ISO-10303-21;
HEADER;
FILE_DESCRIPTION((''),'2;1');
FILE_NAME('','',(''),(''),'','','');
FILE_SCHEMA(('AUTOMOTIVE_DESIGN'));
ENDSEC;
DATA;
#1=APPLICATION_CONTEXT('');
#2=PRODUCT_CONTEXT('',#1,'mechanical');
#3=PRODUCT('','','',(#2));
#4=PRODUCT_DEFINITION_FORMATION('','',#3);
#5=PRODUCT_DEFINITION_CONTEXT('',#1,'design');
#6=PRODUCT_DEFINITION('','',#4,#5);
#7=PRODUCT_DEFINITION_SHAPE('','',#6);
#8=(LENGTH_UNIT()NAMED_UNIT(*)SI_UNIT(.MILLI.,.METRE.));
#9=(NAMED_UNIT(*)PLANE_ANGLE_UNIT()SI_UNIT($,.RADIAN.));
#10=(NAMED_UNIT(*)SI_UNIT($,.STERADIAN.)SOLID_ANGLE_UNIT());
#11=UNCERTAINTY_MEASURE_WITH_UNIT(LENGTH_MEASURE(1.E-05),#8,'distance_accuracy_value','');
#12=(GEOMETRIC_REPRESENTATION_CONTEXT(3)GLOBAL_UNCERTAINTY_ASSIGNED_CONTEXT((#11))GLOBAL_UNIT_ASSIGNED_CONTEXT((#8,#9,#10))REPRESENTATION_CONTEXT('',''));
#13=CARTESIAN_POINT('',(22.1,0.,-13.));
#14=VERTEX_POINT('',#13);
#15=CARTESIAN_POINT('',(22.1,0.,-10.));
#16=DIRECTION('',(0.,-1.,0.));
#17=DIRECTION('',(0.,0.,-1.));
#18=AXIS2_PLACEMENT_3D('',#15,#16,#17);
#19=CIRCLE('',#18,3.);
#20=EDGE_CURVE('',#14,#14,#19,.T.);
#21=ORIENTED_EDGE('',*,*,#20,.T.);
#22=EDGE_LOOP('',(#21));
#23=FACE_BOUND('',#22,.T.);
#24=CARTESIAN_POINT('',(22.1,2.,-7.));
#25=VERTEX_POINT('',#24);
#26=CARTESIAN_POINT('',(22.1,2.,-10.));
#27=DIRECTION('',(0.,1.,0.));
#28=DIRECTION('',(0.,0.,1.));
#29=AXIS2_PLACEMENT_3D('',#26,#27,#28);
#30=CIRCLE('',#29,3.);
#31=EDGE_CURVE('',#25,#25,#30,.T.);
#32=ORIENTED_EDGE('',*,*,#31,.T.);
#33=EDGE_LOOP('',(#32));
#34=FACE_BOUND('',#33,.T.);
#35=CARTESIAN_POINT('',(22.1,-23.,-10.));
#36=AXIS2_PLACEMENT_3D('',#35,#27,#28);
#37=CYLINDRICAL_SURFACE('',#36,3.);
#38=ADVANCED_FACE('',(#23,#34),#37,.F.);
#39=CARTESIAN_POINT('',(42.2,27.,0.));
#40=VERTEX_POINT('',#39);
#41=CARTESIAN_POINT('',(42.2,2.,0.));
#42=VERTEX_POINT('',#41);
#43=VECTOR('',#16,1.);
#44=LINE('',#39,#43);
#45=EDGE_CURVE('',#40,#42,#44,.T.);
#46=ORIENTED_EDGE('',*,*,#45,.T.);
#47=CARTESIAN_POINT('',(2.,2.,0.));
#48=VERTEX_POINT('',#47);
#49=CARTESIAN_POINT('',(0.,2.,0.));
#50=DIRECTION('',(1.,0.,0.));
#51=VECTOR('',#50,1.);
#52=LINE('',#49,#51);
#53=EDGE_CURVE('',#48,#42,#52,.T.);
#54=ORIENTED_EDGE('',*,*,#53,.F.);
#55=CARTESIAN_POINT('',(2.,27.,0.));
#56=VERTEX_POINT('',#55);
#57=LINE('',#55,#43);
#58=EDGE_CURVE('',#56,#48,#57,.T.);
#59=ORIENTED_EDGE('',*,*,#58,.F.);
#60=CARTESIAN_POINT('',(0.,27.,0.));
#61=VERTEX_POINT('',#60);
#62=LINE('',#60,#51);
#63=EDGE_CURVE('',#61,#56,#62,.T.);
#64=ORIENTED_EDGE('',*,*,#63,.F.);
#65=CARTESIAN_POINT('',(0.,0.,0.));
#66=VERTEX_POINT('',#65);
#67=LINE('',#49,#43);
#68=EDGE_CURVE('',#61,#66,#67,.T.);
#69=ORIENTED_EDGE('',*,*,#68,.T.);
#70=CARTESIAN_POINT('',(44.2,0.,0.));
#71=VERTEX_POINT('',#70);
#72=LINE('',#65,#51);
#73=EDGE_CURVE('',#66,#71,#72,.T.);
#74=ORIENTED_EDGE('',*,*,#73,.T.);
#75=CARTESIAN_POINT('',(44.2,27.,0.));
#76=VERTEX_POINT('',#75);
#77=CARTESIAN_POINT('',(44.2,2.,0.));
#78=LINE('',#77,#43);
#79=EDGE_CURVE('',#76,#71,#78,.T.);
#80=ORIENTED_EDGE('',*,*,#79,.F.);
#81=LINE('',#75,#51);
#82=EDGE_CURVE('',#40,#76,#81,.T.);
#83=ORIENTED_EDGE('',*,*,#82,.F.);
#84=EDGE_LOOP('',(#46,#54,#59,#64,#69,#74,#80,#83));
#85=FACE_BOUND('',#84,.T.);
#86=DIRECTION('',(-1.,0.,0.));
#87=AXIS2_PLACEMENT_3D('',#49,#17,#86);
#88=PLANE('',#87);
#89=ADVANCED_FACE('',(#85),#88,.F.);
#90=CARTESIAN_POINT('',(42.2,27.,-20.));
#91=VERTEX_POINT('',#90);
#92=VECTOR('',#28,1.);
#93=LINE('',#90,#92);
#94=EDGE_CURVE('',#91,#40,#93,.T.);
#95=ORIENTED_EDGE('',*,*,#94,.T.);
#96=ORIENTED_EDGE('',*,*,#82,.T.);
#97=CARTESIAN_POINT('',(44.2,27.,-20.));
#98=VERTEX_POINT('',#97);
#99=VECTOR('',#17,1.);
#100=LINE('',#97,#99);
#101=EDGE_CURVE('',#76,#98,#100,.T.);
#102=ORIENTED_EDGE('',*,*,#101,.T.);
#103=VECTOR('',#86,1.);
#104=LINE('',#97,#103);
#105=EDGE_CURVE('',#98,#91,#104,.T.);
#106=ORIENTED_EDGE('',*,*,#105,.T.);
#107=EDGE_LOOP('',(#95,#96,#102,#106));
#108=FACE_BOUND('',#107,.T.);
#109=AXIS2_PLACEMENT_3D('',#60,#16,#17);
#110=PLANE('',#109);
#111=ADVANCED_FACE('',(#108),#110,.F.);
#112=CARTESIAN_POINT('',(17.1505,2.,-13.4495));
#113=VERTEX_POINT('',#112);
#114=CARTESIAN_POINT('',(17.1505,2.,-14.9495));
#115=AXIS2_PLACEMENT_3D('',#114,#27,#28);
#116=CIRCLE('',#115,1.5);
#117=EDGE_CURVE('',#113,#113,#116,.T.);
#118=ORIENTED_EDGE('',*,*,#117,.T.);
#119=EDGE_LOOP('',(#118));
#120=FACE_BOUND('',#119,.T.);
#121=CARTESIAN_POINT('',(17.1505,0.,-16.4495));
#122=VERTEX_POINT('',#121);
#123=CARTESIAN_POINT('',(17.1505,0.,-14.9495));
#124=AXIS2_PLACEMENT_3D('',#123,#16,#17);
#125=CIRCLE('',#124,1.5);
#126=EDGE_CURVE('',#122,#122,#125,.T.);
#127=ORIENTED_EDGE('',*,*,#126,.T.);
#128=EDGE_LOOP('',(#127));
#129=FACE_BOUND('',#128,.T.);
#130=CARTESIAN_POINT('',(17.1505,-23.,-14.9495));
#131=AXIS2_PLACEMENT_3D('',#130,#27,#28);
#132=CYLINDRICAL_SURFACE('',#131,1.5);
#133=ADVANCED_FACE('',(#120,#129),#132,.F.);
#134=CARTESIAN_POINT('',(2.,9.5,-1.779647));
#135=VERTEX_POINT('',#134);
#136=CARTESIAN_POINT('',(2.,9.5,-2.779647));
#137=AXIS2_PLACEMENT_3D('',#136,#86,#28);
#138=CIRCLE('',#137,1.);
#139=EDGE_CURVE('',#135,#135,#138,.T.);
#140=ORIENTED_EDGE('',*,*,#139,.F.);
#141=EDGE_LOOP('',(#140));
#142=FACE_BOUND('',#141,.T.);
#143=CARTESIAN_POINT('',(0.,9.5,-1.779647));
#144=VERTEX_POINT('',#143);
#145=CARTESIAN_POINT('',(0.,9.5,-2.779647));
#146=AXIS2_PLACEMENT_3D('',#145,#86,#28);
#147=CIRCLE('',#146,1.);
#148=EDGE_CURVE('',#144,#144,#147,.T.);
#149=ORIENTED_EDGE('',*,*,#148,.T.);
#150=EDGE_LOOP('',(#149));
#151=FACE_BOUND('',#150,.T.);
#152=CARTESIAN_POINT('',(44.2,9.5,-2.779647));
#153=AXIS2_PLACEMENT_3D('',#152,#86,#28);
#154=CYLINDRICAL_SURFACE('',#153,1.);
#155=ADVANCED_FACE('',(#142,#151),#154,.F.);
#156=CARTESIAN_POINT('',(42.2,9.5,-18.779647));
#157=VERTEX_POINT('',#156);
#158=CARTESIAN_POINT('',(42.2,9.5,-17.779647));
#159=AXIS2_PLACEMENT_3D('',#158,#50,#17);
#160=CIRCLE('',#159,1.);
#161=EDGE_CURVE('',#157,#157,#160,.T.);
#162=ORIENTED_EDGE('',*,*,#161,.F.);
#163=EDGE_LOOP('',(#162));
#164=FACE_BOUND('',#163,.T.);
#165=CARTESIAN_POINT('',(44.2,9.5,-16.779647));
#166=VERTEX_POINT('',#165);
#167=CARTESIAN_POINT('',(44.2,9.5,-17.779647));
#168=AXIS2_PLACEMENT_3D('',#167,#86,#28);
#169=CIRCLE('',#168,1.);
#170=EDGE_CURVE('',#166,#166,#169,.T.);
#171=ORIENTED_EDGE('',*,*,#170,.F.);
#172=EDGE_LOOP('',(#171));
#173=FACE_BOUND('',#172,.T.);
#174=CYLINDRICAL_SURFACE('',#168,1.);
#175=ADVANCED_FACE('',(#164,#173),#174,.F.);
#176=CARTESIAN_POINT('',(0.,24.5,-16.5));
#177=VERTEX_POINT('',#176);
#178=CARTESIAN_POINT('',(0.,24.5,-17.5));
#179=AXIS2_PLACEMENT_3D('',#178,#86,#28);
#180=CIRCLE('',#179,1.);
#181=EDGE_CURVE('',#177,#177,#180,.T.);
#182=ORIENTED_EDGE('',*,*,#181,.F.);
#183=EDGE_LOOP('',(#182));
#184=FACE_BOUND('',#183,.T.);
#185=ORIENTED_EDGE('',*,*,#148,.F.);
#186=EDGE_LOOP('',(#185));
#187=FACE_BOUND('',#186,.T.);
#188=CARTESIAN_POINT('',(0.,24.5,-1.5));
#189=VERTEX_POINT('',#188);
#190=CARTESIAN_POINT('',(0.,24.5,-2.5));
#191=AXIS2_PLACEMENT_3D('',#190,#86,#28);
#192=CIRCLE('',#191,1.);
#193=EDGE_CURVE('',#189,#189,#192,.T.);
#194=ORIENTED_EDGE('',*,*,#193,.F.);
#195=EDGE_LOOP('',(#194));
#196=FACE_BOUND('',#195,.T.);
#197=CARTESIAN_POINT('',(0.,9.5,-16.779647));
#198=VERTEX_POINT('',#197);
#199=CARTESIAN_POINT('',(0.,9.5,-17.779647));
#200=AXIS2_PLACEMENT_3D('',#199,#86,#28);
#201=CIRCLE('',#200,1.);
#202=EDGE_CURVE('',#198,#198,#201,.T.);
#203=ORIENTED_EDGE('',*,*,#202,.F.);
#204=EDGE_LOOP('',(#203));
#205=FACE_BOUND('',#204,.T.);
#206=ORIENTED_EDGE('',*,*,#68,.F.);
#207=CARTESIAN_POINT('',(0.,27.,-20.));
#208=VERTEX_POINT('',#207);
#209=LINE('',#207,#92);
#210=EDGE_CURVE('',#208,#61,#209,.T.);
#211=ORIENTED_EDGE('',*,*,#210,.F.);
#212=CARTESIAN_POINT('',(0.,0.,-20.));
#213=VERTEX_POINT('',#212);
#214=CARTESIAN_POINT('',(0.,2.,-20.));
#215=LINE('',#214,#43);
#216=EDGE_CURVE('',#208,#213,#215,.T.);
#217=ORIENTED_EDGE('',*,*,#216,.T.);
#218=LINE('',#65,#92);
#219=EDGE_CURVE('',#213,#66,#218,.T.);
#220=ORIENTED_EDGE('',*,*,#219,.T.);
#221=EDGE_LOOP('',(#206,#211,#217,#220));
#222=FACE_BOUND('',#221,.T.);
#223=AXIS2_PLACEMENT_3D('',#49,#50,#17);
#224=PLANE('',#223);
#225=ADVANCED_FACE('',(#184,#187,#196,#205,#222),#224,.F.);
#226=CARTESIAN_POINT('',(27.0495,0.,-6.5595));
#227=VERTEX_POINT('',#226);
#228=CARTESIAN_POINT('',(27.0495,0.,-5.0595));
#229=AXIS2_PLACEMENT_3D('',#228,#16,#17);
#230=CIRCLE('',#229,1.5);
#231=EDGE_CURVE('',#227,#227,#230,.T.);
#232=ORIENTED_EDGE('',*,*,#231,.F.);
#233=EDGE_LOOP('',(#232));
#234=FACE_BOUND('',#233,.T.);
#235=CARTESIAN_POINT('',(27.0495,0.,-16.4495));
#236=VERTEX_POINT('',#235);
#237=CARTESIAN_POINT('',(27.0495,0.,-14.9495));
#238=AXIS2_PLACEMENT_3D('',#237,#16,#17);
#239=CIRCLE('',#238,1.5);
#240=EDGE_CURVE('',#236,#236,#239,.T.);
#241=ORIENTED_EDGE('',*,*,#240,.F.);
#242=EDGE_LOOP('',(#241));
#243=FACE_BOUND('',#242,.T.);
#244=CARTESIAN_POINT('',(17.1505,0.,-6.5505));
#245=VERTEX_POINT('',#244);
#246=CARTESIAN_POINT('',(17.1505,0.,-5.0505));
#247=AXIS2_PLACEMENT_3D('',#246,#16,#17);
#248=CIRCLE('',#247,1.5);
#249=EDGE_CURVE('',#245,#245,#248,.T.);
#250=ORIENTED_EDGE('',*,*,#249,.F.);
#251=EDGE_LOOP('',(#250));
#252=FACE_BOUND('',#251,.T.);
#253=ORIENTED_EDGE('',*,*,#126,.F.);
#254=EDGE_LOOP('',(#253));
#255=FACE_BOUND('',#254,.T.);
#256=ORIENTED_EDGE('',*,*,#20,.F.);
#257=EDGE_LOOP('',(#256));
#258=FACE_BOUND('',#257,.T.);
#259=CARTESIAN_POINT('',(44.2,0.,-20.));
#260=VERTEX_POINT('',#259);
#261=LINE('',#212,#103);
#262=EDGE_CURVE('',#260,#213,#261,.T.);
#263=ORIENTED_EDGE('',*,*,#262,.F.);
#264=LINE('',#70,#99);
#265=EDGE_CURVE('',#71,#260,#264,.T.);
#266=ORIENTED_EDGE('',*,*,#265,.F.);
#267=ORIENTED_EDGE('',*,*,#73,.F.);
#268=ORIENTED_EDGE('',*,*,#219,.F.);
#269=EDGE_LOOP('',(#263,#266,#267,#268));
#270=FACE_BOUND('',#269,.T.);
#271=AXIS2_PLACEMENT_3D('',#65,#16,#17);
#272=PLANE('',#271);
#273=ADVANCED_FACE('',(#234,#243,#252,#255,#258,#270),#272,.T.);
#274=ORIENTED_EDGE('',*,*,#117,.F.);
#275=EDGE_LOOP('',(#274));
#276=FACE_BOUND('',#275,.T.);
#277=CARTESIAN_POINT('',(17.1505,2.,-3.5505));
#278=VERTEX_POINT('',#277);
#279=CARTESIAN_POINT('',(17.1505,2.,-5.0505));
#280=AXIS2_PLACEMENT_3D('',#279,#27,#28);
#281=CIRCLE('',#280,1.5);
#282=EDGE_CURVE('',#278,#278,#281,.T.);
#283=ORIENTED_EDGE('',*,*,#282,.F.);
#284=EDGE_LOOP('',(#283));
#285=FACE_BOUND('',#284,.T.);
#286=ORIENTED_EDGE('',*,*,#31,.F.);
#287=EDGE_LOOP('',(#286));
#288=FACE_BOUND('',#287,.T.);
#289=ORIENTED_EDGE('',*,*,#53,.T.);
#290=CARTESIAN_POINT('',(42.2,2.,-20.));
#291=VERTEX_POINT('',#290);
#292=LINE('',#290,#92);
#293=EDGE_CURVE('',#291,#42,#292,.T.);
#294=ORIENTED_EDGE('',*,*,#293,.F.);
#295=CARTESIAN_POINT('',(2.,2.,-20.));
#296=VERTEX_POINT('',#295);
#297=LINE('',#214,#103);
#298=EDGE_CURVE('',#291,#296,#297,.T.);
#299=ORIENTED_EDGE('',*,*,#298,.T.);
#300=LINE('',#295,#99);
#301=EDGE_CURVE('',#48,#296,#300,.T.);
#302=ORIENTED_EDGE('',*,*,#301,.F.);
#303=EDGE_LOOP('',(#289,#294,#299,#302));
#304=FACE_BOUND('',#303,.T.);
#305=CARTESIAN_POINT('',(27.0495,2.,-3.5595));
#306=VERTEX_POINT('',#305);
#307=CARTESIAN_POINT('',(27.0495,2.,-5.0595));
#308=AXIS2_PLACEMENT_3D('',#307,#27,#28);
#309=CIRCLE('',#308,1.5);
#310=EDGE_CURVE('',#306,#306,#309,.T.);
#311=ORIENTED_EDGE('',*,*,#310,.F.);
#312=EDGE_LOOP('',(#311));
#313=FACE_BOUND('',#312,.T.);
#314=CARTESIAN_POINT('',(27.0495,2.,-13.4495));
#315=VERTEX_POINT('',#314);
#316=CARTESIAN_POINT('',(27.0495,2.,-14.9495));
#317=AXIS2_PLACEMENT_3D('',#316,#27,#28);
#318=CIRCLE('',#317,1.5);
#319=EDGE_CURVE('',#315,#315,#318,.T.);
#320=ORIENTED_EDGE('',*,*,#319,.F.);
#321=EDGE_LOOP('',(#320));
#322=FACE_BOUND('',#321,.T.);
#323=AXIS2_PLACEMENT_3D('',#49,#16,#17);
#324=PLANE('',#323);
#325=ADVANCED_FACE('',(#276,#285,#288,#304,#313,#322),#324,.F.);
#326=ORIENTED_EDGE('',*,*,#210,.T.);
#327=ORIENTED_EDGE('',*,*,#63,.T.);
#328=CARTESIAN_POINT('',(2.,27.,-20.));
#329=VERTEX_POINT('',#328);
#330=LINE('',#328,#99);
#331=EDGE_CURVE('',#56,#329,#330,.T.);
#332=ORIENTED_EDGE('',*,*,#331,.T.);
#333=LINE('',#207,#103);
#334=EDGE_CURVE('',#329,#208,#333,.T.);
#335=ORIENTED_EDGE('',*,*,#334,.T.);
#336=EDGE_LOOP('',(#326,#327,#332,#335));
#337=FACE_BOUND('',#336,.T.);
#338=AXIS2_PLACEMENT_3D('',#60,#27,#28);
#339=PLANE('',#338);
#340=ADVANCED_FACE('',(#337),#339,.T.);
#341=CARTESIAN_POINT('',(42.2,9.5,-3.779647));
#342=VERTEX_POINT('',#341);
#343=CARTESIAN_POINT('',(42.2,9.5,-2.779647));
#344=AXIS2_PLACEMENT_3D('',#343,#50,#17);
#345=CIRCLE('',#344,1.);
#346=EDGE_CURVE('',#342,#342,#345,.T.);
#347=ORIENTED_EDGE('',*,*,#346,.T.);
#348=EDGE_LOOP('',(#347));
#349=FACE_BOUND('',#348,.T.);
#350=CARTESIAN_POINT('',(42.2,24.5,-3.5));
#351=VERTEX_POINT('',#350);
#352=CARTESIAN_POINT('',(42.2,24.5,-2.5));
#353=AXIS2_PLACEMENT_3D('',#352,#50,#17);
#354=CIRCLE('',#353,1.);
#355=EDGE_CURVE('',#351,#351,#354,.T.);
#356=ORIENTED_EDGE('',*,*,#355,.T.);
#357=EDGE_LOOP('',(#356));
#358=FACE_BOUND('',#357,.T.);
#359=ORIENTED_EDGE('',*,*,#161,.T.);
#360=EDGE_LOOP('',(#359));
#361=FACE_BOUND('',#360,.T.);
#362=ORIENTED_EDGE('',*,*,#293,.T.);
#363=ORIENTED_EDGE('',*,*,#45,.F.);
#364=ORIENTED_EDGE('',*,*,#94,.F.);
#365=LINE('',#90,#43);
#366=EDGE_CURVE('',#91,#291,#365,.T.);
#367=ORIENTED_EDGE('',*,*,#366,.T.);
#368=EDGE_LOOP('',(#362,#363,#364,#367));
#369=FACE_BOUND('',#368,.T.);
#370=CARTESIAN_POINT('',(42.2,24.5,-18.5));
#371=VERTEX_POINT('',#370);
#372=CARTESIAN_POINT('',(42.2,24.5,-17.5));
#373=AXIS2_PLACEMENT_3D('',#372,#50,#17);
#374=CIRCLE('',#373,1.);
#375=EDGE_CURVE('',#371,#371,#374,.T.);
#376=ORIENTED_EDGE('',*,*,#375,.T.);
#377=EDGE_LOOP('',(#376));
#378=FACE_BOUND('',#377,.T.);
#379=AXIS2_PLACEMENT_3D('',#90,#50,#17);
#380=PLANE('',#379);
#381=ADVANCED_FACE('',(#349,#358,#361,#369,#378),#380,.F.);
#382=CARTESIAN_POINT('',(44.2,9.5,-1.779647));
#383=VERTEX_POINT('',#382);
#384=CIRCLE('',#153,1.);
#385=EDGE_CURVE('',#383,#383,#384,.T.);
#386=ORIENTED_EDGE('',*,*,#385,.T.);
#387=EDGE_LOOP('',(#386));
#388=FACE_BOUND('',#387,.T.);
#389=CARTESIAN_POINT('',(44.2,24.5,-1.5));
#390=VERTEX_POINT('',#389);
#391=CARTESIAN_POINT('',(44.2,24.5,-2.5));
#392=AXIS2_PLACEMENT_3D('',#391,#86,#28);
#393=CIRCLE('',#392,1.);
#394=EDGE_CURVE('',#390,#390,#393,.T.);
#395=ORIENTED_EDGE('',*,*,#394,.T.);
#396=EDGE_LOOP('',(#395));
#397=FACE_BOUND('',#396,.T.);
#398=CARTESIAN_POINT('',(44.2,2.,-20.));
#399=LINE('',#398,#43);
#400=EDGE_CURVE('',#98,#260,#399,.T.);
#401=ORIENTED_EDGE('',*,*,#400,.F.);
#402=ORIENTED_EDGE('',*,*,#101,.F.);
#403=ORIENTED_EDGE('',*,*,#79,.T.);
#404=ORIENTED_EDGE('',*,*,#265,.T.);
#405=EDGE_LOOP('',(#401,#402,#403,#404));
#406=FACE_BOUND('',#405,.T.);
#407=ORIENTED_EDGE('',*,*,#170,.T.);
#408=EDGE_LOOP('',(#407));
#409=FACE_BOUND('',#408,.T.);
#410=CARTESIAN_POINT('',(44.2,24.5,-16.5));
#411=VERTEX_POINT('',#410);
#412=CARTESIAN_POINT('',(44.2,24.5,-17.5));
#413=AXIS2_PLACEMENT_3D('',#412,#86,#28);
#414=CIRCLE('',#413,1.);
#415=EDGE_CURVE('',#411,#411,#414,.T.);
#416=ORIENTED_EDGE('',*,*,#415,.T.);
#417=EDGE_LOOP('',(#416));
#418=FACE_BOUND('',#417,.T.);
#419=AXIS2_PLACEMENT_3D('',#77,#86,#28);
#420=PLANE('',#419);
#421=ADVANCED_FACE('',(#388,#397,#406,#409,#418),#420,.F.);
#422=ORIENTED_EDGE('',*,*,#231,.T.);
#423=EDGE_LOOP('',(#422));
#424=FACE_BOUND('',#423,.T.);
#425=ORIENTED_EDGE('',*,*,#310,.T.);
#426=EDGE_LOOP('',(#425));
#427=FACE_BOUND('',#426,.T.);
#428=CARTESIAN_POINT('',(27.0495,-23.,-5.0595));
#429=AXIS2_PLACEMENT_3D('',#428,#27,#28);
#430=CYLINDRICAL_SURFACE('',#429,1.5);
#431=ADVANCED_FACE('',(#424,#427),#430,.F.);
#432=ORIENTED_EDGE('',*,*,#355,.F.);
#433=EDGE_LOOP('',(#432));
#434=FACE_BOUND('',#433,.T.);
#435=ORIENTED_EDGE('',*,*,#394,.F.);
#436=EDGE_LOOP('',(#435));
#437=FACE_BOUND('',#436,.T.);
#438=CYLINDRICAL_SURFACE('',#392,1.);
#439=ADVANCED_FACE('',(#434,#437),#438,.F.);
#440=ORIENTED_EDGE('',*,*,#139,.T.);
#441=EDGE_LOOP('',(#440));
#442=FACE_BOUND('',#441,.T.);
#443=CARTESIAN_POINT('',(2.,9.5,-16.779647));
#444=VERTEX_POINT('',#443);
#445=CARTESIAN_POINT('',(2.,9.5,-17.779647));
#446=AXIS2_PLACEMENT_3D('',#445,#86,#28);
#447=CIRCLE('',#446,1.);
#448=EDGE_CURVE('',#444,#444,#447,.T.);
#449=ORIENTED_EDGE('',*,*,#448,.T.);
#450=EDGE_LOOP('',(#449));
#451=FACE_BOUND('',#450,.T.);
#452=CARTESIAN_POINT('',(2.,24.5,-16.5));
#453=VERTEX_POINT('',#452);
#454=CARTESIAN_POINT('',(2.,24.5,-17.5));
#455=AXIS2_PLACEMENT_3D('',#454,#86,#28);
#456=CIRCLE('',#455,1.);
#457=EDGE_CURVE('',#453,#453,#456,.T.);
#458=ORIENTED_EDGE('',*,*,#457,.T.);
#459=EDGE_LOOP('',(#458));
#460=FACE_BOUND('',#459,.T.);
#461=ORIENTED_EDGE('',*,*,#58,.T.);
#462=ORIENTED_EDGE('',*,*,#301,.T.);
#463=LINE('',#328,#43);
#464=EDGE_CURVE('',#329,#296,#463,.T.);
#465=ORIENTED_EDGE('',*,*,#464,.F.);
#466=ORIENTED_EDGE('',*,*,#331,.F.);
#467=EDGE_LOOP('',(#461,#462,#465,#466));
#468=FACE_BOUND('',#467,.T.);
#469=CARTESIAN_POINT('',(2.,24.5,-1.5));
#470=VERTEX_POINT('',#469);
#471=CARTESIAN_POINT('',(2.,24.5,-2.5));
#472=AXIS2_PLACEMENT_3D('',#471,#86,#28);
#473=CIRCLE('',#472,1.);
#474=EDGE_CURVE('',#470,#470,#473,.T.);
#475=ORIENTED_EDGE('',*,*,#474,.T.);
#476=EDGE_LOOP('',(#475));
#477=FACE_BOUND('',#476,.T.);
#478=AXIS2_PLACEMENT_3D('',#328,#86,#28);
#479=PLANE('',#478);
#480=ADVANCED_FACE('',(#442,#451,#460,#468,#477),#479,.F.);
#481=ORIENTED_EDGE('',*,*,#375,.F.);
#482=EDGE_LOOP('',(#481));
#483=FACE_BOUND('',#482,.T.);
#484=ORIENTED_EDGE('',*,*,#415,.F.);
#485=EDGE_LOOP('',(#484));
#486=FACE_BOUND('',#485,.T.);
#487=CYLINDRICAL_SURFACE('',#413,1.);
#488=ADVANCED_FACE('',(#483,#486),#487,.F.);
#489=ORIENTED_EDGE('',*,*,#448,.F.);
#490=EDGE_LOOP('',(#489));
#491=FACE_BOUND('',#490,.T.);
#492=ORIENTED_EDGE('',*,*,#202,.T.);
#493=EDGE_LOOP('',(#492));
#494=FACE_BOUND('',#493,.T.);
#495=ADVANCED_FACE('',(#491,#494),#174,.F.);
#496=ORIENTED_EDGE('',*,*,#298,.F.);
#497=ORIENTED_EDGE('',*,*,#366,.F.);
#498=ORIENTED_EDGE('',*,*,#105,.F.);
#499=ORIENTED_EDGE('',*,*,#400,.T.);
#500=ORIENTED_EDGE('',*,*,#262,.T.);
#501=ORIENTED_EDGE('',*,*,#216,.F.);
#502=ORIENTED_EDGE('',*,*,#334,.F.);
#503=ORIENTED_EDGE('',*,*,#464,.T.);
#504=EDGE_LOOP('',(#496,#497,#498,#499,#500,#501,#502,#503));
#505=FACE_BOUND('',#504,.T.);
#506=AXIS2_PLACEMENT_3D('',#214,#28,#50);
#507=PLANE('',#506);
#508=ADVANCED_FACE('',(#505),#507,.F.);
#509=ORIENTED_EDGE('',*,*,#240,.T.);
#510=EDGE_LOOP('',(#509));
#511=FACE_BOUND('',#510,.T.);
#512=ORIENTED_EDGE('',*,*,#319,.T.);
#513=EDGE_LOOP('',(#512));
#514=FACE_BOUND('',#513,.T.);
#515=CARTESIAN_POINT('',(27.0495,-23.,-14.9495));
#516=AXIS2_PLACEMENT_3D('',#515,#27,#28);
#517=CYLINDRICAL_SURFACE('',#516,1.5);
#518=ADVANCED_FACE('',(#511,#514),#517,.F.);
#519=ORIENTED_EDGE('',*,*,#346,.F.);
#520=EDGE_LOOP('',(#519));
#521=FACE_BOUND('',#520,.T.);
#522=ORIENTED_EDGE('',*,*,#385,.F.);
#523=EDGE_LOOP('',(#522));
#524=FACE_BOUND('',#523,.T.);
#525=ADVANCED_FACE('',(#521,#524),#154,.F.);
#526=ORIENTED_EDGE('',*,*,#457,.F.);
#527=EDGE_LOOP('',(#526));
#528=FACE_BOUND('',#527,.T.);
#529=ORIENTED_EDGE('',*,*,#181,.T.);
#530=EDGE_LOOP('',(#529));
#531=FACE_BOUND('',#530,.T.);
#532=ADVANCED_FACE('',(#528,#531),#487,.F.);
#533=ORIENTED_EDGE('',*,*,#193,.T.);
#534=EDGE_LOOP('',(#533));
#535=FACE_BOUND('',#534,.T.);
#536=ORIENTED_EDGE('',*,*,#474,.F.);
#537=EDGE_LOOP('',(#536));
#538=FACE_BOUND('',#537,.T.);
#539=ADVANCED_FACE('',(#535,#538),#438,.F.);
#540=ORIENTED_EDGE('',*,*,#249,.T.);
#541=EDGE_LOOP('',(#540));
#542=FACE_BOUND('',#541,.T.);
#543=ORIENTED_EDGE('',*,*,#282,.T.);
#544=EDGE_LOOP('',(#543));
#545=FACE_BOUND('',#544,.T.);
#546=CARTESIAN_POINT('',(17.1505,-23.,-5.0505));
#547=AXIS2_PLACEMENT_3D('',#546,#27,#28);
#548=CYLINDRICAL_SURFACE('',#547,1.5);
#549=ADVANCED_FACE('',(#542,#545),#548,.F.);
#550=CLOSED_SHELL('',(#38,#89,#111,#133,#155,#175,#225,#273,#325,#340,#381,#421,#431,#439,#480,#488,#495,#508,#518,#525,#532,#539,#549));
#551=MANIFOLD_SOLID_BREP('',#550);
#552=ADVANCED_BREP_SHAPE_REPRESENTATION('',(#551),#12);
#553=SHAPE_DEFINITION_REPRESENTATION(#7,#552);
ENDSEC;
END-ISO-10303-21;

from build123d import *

# Parameters (mm, degrees)
SKETCH1_W           = 44.2
SKETCH1_H           = 20
BOSS_EXTRUDE1_DEPTH = 2
SKETCH2_W           = 2
SKETCH2_H           = 20
BOSS_EXTRUDE2_DEPTH = 25
SKETCH3_R           = 3
SKETCH3_R_2         = 1.5
CUT_EXTRUDE1_DEPTH  = 25
SKETCH5_R           = 1
CUT_EXTRUDE2_DEPTH  = 56.521527357


with BuildPart() as part:
    # Sketch1 → Boss-Extrude1 (new body)
    with BuildSketch(Plane(origin=(0, 0, 0), x_dir=(1, 0, 0), z_dir=(0, 1, 0))):
        with Locations((22.1, 10)):
            Rectangle(SKETCH1_W, SKETCH1_H)
    extrude(amount=BOSS_EXTRUDE1_DEPTH)

    # Sketch2 → Boss-Extrude2 (add)
    with BuildSketch(Plane(origin=(0, 2, 0), x_dir=(1, 0, 0), z_dir=(0, 1, 0))):
        with Locations((1, 10)):
            Rectangle(SKETCH2_W, SKETCH2_H)
        with Locations((43.2, 10)):
            Rectangle(SKETCH2_W, SKETCH2_H)
    extrude(amount=BOSS_EXTRUDE2_DEPTH)

    # Sketch3 → Cut-Extrude1 (cut)
    with BuildSketch(Plane(origin=(0, 2, 0), x_dir=(1, 0, 0), z_dir=(0, 1, 0))):
        with Locations(Location((22.1, 10, 0), (0, 0, 270))):
            Circle(SKETCH3_R)
        with Locations(Location((17.1505, 14.9495, 0), (0, 0, 270))):
            Circle(SKETCH3_R_2)
        with Locations(Location((17.1505, 5.0505, 0), (0, 0, 270))):
            Circle(SKETCH3_R_2)
        with Locations(Location((27.0495, 5.0595, 0), (0, 0, 270))):
            Circle(SKETCH3_R_2)
        with Locations(Location((27.0495, 14.9495, 0), (0, 0, 270))):
            Circle(SKETCH3_R_2)
    extrude(amount=-CUT_EXTRUDE1_DEPTH, mode=Mode.SUBTRACT)

    # Sketch5 → Cut-Extrude2 (cut, through all)
    with BuildSketch(Plane.ZY):
        with Locations((-2.5, 24.5)):
            Circle(SKETCH5_R)
        with Locations((-2.779646808, 9.5)):
            Circle(SKETCH5_R)
        with Locations((-17.5, 24.5)):
            Circle(SKETCH5_R)
        with Locations((-17.779646808, 9.5)):
            Circle(SKETCH5_R)
    extrude(amount=-CUT_EXTRUDE2_DEPTH, mode=Mode.SUBTRACT)


solid = part.part
